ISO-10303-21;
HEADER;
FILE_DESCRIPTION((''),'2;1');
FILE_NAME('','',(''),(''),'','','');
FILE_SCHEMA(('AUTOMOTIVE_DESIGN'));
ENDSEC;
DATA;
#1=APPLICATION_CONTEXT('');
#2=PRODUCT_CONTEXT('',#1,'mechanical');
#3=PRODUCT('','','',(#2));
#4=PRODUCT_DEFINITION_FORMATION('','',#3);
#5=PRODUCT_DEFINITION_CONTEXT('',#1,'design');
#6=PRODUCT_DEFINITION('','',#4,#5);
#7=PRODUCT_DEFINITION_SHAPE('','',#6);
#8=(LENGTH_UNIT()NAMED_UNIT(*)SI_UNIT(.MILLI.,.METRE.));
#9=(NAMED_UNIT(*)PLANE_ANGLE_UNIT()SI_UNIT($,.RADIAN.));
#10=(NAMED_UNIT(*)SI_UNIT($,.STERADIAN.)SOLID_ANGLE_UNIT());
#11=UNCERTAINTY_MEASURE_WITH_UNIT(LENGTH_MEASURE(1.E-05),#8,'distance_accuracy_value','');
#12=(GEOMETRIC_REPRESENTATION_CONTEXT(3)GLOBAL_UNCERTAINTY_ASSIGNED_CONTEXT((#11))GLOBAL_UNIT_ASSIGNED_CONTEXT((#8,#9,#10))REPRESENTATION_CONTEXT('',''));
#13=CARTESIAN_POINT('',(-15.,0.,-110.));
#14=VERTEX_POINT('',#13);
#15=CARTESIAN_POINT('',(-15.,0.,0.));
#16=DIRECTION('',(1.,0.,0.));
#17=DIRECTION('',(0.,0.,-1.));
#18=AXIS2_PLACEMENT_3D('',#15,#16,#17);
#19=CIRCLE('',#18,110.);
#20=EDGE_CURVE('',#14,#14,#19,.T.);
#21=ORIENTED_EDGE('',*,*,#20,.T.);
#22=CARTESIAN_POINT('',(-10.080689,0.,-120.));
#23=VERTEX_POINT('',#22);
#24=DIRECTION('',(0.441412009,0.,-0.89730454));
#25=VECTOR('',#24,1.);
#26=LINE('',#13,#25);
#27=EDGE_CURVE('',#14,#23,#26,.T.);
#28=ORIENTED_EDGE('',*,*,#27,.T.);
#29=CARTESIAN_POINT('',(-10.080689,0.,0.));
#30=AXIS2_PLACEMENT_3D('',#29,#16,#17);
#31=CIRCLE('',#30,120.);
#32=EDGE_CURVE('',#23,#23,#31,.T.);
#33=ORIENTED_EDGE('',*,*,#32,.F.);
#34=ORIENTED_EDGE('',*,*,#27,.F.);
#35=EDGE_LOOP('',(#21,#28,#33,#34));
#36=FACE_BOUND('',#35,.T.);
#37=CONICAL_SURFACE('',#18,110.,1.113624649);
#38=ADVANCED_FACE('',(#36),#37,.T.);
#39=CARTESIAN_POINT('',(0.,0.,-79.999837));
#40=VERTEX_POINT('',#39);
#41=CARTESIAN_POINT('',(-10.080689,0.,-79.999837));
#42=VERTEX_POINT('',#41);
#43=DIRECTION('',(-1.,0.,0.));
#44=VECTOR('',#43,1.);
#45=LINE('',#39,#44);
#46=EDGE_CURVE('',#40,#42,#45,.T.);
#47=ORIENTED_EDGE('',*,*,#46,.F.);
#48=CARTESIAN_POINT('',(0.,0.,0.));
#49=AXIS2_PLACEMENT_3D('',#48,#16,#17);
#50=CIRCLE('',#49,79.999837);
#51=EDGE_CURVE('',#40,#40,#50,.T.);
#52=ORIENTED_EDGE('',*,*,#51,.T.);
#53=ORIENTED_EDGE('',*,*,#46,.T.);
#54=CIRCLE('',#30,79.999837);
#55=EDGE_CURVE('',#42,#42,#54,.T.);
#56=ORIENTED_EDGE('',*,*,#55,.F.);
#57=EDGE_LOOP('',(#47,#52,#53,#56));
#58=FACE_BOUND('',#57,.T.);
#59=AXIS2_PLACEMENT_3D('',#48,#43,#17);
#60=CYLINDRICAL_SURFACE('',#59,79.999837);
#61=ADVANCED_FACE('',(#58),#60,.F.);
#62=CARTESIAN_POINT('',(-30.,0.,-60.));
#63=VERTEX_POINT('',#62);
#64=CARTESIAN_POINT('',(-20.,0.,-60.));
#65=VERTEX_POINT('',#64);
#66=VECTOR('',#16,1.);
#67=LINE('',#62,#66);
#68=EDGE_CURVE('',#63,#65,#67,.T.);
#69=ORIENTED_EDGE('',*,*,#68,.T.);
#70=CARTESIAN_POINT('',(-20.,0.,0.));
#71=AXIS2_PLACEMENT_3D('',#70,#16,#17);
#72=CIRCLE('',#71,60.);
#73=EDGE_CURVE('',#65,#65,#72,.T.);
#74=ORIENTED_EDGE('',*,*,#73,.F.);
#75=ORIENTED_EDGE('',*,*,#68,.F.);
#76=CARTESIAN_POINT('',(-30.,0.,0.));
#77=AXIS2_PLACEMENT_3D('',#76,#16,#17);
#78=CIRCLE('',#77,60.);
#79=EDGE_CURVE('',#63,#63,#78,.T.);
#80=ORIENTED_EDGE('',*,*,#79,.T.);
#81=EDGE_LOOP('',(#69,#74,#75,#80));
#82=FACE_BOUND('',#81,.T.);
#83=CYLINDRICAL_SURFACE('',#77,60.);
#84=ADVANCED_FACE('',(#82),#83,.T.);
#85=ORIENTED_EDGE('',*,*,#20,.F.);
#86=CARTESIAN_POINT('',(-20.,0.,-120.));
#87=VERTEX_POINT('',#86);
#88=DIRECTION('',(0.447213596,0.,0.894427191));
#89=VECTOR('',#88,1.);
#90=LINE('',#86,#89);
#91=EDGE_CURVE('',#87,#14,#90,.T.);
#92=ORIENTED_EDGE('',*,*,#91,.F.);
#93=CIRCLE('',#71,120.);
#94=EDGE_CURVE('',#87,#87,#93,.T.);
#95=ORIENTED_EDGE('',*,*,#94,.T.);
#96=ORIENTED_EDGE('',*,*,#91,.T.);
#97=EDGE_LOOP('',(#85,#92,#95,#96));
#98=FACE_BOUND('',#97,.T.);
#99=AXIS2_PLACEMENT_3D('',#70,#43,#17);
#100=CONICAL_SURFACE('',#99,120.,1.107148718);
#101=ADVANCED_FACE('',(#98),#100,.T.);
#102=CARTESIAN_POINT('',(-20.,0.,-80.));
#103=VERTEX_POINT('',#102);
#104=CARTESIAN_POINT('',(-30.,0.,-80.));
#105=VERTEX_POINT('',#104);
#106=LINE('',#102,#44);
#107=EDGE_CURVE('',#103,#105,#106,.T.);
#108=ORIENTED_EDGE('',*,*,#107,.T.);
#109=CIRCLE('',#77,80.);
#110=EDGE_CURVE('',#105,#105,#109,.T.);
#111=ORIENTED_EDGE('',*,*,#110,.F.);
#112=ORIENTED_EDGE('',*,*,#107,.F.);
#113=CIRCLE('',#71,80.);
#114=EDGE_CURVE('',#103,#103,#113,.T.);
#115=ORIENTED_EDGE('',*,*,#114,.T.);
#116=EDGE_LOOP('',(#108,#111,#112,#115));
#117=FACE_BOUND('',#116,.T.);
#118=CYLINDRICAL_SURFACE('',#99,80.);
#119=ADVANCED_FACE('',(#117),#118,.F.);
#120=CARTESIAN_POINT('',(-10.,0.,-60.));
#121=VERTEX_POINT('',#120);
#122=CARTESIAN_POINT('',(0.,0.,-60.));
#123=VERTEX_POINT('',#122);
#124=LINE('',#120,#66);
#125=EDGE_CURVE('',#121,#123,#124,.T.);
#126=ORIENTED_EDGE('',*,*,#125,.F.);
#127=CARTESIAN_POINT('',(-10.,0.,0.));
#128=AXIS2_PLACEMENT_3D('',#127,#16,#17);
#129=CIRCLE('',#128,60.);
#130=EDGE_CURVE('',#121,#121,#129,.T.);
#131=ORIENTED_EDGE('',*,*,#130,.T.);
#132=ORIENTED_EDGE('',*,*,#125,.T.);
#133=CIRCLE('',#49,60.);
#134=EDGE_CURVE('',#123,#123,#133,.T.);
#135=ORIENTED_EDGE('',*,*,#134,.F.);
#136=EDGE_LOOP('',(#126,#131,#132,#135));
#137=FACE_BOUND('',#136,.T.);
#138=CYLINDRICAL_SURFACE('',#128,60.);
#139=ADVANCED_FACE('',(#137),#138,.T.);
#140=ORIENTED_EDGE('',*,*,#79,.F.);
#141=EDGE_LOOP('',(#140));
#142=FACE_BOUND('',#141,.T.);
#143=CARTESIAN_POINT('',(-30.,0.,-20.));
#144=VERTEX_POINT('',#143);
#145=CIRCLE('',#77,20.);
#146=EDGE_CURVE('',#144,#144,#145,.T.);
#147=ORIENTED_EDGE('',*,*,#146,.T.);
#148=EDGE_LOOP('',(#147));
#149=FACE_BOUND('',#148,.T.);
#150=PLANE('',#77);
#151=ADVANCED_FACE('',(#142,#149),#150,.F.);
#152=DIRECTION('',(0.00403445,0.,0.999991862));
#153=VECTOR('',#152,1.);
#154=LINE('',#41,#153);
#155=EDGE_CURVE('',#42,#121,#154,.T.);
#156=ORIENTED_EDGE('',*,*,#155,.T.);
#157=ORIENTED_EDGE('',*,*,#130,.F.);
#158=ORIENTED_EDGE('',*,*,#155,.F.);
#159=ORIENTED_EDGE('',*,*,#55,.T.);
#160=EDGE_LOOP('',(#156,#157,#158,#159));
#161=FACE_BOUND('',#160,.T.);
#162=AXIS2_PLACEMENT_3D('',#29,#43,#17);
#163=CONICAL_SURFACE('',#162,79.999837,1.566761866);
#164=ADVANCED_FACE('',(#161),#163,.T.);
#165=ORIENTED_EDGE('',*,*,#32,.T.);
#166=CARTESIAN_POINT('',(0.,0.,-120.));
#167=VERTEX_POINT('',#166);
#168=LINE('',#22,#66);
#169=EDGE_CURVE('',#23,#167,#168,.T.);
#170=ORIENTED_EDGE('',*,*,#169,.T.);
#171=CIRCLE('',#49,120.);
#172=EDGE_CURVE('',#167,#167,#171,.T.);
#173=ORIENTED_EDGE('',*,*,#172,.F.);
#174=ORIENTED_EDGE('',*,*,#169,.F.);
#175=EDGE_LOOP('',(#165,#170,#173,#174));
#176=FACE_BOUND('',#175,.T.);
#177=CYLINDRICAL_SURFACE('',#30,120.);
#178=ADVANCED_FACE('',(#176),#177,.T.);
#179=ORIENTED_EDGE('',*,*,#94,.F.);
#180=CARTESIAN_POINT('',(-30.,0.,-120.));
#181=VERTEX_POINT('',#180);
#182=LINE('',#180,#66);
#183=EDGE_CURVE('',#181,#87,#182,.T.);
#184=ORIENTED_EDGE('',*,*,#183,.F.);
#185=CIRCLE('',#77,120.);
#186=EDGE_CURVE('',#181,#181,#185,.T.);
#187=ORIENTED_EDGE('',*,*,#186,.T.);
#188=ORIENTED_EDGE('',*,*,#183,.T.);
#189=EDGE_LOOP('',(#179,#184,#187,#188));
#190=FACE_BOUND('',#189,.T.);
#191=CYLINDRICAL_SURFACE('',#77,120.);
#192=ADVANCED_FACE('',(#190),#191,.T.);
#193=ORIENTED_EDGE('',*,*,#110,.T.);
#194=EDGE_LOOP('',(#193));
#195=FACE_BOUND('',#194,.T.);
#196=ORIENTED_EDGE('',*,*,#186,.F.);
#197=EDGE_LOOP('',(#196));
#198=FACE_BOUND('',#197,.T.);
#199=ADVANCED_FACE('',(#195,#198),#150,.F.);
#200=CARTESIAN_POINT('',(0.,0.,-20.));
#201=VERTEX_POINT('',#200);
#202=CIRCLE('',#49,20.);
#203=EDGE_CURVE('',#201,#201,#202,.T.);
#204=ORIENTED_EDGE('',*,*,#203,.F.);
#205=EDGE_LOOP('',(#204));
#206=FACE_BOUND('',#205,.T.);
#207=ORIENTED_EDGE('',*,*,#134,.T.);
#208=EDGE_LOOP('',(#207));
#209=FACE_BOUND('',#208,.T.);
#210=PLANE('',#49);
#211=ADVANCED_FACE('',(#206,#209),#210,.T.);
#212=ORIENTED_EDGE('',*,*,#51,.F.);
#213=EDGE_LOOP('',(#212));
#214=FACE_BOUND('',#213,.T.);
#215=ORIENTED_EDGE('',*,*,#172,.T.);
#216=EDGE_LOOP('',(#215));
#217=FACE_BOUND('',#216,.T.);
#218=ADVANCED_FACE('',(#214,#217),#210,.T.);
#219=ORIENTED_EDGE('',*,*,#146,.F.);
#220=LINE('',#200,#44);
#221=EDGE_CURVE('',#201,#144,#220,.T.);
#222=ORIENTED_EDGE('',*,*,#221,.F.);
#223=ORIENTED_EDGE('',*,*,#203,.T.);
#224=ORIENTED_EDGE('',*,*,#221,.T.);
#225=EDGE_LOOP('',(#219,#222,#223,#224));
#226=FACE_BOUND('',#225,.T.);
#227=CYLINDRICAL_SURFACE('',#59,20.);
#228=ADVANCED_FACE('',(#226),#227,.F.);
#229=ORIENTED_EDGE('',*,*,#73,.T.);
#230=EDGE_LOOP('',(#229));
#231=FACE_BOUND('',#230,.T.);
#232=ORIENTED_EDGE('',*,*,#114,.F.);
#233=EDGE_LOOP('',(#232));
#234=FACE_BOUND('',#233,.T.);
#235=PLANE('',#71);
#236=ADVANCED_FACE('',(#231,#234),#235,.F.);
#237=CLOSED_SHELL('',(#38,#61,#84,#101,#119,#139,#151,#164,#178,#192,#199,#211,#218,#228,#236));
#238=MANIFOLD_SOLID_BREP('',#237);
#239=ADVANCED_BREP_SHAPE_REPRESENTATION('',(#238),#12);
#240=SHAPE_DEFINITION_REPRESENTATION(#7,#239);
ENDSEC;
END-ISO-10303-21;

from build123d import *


with BuildPart() as f1:
    # F0 (on Front) → F1 (revolve)
    with BuildSketch(Plane.XZ):
        Polygon((0, -60), (0, -20), (-30, -20), (-30, -60), (-20, -60), (-20, -80), (-30, -80), (-30, -120), (-20, -120), (-15, -110), (-10.080689, -120), (0, -120), (0, -109.999837), (0, -79.999837), (-10.080689, -79.999837), (-10, -60), align=None)
    revolve(axis=Axis((2.407097, 0, 0), (1, 0, 0)))


solid = f1.part
